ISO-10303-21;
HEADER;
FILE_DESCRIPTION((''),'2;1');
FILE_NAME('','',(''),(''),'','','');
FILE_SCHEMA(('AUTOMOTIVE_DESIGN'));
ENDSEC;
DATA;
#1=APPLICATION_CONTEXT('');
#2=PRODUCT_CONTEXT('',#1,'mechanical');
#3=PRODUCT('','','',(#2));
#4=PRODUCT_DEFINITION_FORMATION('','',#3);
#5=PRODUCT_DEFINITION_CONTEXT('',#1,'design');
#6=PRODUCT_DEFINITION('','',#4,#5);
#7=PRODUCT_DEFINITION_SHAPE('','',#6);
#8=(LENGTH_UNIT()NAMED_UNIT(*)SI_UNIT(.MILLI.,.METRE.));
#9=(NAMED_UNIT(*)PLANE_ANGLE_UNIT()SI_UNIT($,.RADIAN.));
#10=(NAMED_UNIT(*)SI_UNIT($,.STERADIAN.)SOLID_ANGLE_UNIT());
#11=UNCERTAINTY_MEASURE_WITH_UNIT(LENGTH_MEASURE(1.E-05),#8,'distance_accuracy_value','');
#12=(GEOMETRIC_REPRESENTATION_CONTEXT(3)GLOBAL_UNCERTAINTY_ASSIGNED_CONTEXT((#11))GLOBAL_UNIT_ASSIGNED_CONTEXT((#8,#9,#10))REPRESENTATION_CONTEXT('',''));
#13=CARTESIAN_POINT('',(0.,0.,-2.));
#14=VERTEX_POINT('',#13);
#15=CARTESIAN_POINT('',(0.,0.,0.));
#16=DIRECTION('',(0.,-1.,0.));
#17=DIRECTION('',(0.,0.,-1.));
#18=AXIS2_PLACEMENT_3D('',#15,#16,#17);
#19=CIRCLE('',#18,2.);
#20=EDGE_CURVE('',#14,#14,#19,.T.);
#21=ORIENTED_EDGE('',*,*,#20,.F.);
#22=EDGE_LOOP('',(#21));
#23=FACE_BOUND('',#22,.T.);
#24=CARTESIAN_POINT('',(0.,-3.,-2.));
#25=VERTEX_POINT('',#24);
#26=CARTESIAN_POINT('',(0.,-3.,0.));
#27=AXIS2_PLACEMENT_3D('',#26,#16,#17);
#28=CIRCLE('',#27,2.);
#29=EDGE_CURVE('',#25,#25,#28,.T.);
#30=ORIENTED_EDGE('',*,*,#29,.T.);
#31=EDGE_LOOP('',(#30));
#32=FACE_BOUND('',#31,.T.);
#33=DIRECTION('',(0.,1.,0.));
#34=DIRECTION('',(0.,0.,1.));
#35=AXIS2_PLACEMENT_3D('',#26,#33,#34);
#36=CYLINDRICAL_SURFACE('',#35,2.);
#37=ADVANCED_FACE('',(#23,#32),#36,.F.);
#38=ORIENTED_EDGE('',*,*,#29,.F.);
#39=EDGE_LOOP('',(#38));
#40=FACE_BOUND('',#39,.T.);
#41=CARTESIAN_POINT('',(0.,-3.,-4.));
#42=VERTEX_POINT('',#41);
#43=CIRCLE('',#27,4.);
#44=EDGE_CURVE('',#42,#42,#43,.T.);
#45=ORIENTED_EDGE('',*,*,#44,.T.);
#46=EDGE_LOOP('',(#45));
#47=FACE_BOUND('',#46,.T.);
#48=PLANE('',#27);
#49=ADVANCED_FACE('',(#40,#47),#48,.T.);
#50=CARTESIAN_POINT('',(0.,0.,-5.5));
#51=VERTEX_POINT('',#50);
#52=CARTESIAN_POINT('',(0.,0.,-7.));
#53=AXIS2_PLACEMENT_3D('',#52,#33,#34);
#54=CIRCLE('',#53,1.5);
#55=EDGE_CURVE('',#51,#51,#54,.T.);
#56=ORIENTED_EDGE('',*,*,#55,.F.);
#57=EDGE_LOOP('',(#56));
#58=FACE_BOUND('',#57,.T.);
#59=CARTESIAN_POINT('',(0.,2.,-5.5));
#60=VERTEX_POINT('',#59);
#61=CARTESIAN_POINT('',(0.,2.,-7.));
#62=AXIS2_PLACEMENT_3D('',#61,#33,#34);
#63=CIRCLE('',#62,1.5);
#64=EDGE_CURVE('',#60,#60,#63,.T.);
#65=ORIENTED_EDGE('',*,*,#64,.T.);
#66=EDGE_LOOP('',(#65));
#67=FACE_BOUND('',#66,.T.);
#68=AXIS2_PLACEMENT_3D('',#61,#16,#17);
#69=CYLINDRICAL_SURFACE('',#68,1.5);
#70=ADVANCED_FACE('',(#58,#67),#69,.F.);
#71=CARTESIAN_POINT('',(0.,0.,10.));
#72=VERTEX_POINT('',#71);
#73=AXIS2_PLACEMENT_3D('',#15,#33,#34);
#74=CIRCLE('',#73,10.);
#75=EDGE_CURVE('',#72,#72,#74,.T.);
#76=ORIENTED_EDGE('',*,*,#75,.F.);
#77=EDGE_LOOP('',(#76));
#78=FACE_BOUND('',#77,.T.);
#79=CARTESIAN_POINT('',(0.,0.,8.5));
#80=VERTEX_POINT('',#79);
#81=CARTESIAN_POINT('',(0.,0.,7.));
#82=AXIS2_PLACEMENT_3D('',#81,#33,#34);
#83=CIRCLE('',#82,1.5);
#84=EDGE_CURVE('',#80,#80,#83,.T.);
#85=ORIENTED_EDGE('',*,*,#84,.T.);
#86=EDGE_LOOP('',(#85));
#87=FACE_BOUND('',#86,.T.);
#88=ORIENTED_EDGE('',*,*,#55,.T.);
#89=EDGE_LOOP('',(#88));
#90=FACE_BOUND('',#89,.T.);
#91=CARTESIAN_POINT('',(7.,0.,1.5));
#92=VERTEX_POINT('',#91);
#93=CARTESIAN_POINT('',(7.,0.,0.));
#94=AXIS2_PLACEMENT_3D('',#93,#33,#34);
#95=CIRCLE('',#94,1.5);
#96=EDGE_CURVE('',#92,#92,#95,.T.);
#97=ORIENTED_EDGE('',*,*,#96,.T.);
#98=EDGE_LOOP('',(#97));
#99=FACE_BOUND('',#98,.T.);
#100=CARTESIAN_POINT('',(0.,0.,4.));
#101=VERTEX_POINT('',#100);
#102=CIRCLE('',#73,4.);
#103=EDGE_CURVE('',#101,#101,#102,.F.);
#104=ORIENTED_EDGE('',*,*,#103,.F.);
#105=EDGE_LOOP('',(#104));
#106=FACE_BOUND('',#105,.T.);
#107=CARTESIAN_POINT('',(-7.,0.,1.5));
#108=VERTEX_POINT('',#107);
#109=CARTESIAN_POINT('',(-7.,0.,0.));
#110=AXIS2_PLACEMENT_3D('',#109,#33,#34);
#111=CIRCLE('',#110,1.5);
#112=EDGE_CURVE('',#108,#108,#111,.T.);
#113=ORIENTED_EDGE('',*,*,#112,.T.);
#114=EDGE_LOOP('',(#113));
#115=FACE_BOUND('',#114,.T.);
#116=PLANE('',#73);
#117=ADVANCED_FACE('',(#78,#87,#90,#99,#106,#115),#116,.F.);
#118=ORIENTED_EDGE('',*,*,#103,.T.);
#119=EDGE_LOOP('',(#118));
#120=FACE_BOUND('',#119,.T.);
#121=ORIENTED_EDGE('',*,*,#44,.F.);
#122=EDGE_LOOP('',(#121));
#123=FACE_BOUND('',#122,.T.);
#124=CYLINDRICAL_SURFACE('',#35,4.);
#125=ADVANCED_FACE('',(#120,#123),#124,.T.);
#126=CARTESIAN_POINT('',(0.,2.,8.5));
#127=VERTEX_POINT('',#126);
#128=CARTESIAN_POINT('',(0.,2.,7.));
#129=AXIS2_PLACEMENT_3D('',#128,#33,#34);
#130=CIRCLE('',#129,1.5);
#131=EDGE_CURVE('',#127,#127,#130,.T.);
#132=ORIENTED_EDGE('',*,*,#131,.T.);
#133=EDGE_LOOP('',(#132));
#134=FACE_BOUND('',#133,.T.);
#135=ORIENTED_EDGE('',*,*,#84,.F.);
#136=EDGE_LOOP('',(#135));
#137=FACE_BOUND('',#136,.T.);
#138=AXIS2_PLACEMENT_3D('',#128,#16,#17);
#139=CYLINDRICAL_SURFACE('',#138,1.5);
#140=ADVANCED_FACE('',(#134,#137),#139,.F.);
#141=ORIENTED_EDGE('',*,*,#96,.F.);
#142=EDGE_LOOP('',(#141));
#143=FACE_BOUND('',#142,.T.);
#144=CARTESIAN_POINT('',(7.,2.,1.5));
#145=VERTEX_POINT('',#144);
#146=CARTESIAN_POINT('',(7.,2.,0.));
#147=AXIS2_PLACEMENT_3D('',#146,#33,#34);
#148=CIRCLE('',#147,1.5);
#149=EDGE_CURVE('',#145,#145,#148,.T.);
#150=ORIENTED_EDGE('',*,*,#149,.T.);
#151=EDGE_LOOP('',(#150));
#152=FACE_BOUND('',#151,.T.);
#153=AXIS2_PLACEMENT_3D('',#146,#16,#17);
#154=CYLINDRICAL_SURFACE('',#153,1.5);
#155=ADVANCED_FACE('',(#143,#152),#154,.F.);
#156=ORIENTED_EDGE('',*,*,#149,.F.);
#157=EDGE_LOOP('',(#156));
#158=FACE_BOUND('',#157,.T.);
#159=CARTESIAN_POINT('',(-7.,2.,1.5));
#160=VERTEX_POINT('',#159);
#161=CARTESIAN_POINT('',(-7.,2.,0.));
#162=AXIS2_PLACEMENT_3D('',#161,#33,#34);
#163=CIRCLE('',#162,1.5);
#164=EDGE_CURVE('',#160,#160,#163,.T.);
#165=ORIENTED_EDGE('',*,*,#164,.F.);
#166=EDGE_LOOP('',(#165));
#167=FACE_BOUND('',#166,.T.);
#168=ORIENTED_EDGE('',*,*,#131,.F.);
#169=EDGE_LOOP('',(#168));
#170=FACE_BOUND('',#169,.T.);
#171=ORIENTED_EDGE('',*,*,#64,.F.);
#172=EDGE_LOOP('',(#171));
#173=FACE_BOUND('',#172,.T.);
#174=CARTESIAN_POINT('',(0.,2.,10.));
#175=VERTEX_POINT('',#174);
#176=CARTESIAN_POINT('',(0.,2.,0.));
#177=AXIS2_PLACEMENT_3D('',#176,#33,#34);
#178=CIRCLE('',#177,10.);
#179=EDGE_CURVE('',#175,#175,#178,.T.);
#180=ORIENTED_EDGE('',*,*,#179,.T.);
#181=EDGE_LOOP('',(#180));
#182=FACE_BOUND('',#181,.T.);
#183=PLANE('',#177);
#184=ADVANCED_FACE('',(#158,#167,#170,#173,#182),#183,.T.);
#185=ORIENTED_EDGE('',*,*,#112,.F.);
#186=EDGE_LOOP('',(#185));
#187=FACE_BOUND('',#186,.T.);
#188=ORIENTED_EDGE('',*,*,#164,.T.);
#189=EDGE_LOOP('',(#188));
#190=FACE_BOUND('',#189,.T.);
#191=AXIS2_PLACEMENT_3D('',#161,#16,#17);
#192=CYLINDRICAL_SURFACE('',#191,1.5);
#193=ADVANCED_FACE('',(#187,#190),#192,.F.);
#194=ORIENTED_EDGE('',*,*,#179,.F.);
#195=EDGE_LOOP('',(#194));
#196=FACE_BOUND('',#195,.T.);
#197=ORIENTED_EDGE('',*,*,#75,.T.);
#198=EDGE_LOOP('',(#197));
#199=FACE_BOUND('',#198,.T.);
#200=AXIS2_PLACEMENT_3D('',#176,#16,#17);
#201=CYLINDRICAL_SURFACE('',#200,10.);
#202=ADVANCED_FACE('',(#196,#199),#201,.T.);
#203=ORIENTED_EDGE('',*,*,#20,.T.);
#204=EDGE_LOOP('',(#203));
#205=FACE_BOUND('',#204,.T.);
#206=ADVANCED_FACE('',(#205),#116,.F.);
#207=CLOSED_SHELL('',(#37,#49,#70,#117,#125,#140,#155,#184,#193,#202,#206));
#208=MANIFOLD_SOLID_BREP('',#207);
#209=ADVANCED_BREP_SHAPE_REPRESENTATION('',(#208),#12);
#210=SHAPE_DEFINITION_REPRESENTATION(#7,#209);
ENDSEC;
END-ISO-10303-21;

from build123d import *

# Parameters (mm, degrees)
SKETCH1_R           = 10
SKETCH1_R_2         = 1.5
BOSS_EXTRUDE1_DEPTH = 2
SKETCH2_R           = 4
SKETCH2_R_2         = 2
BOSS_EXTRUDE2_DEPTH = 3


with BuildPart() as part:
    # Sketch1 → Boss-Extrude1 (new body)
    with BuildSketch(Plane(origin=(0, 0, 0), x_dir=(1, 0, 0), z_dir=(0, 1, 0))):
        Circle(SKETCH1_R)
        with Locations((0, 7)):
            Circle(SKETCH1_R_2, mode=Mode.SUBTRACT)
        with Locations((7, 0)):
            Circle(SKETCH1_R_2, mode=Mode.SUBTRACT)
        with Locations((0, -7)):
            Circle(SKETCH1_R_2, mode=Mode.SUBTRACT)
        with Locations((-7, 0)):
            Circle(SKETCH1_R_2, mode=Mode.SUBTRACT)
    extrude(amount=BOSS_EXTRUDE1_DEPTH)

    # Sketch2 → Boss-Extrude2 (add)
    with BuildSketch(Plane.XZ):
        Circle(SKETCH2_R)
        Circle(SKETCH2_R_2, mode=Mode.SUBTRACT)
    extrude(amount=BOSS_EXTRUDE2_DEPTH)


solid = part.part
